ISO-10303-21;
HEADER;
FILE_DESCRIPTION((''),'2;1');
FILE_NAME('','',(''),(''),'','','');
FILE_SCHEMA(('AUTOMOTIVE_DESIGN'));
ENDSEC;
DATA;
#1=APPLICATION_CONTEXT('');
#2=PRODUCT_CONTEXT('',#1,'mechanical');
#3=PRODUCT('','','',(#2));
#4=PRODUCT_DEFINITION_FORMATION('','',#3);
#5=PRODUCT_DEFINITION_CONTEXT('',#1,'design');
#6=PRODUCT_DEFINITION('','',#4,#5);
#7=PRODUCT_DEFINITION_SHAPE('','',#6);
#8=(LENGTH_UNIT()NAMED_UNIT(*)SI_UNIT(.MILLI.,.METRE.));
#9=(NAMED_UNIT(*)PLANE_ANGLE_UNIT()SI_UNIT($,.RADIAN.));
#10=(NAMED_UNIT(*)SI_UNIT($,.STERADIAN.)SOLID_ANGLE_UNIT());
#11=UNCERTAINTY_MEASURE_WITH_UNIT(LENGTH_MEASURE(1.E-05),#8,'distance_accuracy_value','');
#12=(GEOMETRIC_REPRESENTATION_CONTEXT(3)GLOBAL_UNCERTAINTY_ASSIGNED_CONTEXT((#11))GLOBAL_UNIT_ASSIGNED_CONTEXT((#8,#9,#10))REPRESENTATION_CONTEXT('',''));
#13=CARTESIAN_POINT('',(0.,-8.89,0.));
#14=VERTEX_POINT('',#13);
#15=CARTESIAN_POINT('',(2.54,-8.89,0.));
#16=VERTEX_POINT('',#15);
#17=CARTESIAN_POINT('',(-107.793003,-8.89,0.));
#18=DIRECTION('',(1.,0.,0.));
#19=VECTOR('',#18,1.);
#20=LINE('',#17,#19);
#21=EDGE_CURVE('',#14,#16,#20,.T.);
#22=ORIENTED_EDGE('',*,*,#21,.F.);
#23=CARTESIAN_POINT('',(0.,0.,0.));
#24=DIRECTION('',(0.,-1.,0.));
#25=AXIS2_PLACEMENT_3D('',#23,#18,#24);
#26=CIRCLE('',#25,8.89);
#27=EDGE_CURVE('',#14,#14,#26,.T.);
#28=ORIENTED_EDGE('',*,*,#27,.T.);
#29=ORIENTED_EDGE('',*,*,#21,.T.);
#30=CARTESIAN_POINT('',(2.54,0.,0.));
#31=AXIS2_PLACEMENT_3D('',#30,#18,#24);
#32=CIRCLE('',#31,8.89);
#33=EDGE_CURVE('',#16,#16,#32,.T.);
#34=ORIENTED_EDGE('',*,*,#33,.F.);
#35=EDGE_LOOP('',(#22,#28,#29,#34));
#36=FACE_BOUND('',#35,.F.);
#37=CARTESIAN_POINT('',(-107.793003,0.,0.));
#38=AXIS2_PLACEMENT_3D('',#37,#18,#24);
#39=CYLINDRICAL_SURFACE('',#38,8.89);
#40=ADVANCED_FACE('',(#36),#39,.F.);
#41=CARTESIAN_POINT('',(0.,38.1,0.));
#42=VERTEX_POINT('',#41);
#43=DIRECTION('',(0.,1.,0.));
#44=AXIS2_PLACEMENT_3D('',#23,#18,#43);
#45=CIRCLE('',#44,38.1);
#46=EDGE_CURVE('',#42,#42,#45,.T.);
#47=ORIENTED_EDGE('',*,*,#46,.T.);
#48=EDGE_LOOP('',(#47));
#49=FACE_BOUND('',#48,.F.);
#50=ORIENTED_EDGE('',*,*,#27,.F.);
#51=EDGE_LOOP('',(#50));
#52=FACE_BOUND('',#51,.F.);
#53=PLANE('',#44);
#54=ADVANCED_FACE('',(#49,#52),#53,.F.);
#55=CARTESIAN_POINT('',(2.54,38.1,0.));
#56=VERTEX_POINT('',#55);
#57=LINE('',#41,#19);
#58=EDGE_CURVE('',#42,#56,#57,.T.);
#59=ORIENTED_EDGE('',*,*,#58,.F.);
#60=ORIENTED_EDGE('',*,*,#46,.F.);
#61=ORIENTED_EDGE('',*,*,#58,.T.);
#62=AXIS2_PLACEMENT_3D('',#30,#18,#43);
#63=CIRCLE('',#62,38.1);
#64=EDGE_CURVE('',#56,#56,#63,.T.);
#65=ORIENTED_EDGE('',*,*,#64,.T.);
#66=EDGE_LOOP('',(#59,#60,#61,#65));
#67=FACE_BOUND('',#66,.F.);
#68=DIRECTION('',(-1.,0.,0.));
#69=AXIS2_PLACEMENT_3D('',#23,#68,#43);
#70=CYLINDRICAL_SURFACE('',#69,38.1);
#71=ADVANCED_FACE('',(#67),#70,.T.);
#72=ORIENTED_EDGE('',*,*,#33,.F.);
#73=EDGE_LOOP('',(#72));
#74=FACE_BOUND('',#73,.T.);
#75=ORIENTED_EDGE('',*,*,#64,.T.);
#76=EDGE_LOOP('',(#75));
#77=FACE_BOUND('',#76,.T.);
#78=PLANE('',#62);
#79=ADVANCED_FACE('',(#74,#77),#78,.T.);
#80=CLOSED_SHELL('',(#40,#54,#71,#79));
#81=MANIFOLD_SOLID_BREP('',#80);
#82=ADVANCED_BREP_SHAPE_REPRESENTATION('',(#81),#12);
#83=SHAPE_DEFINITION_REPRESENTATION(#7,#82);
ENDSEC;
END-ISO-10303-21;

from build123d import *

# Parameters (mm, degrees)
F0_R     = 38.1
F1_DEPTH = 2.54
F3_D     = 17.78


with BuildPart() as f1:
    # F0 (on Right) → F1 (new body)
    with BuildSketch(Plane.YZ):
        Circle(F0_R)
    extrude(amount=F1_DEPTH)

    # F3 (through all)
    with Locations(Plane(origin=(0, 0, 0), x_dir=(0, 1, 0), z_dir=(-1, 0, 0))):
        with Locations((0, 0)):
            Hole(F3_D / 2)


solid = f1.part
